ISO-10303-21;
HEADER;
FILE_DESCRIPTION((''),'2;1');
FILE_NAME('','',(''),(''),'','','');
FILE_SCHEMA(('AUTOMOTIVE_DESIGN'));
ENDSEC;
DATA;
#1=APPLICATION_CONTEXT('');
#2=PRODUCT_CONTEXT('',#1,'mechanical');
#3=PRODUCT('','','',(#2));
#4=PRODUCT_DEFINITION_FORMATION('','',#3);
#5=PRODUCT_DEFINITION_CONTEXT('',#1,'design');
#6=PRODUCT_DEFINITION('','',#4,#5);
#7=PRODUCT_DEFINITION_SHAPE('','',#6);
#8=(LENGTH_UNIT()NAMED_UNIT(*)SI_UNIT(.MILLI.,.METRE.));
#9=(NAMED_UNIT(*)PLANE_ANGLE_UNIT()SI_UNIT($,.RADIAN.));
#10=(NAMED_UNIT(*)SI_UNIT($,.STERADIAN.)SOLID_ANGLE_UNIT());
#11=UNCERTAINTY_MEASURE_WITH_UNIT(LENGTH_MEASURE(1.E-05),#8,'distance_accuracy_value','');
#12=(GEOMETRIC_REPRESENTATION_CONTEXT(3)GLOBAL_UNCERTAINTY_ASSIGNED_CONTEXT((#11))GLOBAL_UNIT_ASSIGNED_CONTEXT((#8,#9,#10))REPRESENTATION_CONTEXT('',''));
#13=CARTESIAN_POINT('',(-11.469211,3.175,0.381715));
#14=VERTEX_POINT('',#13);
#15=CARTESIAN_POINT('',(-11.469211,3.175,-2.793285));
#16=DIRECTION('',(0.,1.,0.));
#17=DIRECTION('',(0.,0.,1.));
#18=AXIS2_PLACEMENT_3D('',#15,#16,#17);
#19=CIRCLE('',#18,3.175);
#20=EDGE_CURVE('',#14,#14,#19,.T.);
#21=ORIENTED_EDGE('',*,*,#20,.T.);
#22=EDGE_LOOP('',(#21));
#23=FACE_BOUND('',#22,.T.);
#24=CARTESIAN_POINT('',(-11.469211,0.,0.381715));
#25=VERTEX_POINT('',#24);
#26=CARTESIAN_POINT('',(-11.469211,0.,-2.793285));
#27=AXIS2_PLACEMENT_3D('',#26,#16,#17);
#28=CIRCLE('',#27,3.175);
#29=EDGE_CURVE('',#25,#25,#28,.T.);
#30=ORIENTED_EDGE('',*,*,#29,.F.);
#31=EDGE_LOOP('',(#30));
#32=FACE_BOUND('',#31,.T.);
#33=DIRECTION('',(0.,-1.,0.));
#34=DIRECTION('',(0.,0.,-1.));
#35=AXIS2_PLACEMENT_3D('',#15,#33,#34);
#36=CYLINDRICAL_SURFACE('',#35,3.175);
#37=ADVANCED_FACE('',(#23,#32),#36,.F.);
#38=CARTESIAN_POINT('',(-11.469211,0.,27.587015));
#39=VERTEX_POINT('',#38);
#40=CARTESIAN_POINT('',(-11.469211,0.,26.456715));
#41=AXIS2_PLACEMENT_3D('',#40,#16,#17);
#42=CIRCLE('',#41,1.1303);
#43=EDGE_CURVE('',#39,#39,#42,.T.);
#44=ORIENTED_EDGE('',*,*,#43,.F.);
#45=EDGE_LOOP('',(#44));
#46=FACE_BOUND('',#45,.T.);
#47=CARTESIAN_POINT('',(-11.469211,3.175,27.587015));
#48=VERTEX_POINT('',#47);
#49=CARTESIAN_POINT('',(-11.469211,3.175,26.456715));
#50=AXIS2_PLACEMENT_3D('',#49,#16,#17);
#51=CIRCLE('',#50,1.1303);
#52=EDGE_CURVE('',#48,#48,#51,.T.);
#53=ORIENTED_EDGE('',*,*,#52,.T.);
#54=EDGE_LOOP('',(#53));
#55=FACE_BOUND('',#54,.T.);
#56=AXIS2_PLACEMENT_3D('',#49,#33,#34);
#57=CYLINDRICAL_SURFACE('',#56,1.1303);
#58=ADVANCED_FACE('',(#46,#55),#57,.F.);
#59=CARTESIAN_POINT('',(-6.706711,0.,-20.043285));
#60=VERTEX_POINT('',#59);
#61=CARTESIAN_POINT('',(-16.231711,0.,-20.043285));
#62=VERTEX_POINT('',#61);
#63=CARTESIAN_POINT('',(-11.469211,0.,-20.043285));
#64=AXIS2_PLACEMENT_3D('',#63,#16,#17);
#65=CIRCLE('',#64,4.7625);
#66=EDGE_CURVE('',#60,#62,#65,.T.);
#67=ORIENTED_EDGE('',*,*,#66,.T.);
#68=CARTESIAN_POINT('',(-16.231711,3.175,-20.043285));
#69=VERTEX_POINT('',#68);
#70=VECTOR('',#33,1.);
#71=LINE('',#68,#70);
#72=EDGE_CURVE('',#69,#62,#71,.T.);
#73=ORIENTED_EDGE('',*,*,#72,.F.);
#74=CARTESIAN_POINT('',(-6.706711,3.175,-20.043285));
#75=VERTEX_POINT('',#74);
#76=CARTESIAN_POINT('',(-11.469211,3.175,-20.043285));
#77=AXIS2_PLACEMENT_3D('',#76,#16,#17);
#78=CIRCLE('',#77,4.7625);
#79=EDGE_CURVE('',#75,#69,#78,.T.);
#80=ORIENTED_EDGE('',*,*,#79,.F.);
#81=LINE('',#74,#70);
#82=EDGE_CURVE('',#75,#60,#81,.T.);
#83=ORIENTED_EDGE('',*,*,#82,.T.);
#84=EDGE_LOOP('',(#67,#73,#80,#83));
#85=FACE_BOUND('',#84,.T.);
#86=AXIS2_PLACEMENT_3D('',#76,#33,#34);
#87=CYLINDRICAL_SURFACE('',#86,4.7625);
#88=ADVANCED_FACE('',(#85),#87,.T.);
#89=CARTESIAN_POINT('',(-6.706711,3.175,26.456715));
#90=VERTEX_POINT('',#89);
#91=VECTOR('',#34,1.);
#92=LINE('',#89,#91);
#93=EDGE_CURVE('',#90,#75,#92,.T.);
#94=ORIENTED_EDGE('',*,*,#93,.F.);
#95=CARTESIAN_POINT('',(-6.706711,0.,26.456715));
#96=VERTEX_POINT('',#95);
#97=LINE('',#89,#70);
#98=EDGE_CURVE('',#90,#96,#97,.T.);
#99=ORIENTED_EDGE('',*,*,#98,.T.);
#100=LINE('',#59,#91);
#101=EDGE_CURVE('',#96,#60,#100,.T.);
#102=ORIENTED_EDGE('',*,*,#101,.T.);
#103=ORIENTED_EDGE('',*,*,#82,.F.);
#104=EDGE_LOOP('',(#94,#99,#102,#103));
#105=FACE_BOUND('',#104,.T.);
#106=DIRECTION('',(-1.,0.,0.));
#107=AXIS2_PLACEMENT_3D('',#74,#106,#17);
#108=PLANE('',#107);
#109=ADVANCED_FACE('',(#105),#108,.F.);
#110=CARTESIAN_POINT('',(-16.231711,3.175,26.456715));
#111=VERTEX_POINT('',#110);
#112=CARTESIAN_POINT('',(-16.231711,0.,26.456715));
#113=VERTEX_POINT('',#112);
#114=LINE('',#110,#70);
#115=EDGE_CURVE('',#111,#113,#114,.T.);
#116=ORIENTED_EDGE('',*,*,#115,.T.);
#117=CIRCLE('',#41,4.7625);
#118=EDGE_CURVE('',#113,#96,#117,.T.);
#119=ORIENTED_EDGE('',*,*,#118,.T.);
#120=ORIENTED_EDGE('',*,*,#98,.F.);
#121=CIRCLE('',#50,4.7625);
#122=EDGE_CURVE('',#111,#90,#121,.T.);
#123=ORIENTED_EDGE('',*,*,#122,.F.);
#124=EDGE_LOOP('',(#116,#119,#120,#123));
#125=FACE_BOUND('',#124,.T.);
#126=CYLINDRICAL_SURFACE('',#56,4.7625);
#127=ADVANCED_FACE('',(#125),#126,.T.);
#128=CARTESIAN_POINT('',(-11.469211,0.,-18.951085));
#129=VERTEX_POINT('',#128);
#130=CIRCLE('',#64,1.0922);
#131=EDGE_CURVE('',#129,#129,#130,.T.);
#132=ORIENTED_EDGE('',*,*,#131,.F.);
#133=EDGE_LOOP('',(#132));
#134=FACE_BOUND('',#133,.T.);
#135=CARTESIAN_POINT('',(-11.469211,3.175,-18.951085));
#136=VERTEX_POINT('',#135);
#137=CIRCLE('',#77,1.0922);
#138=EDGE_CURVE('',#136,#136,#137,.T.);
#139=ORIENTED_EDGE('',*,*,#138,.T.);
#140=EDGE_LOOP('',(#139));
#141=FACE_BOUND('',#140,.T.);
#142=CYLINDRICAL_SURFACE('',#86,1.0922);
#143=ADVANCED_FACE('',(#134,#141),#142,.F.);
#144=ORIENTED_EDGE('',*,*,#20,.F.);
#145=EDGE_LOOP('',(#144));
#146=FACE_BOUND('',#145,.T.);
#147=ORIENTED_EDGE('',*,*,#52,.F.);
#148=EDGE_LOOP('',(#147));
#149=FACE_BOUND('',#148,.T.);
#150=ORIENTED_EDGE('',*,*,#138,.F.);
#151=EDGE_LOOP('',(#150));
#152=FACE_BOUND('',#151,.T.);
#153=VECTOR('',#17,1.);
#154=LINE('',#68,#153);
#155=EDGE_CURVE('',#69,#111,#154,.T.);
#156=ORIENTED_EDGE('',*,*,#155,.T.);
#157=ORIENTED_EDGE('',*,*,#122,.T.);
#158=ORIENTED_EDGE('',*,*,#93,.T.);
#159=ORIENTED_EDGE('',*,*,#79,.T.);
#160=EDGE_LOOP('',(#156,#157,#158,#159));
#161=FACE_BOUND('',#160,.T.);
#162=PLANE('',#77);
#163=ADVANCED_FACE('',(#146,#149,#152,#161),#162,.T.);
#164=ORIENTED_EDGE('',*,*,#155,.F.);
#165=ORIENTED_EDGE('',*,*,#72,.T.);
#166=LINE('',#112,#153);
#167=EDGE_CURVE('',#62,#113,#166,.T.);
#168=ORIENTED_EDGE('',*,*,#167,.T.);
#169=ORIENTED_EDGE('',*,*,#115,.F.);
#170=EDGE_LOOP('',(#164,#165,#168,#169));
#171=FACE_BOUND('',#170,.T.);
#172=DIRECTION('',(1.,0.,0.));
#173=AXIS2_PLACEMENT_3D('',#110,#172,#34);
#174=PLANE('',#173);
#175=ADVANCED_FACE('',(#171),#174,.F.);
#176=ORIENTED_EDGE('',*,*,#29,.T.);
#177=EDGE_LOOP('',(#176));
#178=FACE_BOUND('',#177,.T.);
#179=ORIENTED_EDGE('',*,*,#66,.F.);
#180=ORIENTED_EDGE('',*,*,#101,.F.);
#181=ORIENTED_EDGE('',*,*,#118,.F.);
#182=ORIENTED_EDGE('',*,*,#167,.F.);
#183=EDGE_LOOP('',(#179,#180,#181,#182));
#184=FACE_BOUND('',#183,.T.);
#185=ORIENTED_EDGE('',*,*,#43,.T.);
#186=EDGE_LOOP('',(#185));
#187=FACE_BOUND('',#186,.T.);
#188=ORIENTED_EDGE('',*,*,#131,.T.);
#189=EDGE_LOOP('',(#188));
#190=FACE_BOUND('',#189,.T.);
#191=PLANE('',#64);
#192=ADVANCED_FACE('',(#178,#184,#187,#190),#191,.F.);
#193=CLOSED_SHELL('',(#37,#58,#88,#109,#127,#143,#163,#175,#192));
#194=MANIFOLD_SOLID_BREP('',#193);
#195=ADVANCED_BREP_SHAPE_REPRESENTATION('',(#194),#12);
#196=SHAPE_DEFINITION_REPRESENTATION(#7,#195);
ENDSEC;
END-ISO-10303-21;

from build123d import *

# Parameters (mm, degrees)
SKETCH2_R           = 1.0922
SKETCH2_R_2         = 3.175
SKETCH2_R_3         = 1.1303
BOSS_EXTRUDE2_DEPTH = 3.175


with BuildPart() as part:
    # Sketch2 → Boss-Extrude2 (new body)
    with BuildSketch(Plane(origin=(0, 0, 0), x_dir=(1, 0, 0), z_dir=(0, 1, 0))):
        with BuildLine():
            Line((-6.706711203, 20.043284588), (-6.706711203, -6.456715412))
            Line((-6.706711203, -6.456715412), (-6.706711203, -26.456715412))
            ThreePointArc((-6.706711203, -26.456715412), (-11.469211203, -31.219215412), (-16.231711203, -26.456715412))
            Line((-16.231711203, -26.456715412), (-16.231711203, -6.456715412))
            Line((-16.231711203, -6.456715412), (-16.231711203, 20.043284588))
            ThreePointArc((-16.231711203, 20.043284588), (-11.469211203, 24.805784588), (-6.706711203, 20.043284588))
        make_face()
        with Locations((-11.469211203, 20.043284588)):
            Circle(SKETCH2_R, mode=Mode.SUBTRACT)
        with Locations((-11.469211203, 2.793284588)):
            Circle(SKETCH2_R_2, mode=Mode.SUBTRACT)
        with Locations((-11.469211203, -26.456715412)):
            Circle(SKETCH2_R_3, mode=Mode.SUBTRACT)
    extrude(amount=BOSS_EXTRUDE2_DEPTH)


solid = part.part
